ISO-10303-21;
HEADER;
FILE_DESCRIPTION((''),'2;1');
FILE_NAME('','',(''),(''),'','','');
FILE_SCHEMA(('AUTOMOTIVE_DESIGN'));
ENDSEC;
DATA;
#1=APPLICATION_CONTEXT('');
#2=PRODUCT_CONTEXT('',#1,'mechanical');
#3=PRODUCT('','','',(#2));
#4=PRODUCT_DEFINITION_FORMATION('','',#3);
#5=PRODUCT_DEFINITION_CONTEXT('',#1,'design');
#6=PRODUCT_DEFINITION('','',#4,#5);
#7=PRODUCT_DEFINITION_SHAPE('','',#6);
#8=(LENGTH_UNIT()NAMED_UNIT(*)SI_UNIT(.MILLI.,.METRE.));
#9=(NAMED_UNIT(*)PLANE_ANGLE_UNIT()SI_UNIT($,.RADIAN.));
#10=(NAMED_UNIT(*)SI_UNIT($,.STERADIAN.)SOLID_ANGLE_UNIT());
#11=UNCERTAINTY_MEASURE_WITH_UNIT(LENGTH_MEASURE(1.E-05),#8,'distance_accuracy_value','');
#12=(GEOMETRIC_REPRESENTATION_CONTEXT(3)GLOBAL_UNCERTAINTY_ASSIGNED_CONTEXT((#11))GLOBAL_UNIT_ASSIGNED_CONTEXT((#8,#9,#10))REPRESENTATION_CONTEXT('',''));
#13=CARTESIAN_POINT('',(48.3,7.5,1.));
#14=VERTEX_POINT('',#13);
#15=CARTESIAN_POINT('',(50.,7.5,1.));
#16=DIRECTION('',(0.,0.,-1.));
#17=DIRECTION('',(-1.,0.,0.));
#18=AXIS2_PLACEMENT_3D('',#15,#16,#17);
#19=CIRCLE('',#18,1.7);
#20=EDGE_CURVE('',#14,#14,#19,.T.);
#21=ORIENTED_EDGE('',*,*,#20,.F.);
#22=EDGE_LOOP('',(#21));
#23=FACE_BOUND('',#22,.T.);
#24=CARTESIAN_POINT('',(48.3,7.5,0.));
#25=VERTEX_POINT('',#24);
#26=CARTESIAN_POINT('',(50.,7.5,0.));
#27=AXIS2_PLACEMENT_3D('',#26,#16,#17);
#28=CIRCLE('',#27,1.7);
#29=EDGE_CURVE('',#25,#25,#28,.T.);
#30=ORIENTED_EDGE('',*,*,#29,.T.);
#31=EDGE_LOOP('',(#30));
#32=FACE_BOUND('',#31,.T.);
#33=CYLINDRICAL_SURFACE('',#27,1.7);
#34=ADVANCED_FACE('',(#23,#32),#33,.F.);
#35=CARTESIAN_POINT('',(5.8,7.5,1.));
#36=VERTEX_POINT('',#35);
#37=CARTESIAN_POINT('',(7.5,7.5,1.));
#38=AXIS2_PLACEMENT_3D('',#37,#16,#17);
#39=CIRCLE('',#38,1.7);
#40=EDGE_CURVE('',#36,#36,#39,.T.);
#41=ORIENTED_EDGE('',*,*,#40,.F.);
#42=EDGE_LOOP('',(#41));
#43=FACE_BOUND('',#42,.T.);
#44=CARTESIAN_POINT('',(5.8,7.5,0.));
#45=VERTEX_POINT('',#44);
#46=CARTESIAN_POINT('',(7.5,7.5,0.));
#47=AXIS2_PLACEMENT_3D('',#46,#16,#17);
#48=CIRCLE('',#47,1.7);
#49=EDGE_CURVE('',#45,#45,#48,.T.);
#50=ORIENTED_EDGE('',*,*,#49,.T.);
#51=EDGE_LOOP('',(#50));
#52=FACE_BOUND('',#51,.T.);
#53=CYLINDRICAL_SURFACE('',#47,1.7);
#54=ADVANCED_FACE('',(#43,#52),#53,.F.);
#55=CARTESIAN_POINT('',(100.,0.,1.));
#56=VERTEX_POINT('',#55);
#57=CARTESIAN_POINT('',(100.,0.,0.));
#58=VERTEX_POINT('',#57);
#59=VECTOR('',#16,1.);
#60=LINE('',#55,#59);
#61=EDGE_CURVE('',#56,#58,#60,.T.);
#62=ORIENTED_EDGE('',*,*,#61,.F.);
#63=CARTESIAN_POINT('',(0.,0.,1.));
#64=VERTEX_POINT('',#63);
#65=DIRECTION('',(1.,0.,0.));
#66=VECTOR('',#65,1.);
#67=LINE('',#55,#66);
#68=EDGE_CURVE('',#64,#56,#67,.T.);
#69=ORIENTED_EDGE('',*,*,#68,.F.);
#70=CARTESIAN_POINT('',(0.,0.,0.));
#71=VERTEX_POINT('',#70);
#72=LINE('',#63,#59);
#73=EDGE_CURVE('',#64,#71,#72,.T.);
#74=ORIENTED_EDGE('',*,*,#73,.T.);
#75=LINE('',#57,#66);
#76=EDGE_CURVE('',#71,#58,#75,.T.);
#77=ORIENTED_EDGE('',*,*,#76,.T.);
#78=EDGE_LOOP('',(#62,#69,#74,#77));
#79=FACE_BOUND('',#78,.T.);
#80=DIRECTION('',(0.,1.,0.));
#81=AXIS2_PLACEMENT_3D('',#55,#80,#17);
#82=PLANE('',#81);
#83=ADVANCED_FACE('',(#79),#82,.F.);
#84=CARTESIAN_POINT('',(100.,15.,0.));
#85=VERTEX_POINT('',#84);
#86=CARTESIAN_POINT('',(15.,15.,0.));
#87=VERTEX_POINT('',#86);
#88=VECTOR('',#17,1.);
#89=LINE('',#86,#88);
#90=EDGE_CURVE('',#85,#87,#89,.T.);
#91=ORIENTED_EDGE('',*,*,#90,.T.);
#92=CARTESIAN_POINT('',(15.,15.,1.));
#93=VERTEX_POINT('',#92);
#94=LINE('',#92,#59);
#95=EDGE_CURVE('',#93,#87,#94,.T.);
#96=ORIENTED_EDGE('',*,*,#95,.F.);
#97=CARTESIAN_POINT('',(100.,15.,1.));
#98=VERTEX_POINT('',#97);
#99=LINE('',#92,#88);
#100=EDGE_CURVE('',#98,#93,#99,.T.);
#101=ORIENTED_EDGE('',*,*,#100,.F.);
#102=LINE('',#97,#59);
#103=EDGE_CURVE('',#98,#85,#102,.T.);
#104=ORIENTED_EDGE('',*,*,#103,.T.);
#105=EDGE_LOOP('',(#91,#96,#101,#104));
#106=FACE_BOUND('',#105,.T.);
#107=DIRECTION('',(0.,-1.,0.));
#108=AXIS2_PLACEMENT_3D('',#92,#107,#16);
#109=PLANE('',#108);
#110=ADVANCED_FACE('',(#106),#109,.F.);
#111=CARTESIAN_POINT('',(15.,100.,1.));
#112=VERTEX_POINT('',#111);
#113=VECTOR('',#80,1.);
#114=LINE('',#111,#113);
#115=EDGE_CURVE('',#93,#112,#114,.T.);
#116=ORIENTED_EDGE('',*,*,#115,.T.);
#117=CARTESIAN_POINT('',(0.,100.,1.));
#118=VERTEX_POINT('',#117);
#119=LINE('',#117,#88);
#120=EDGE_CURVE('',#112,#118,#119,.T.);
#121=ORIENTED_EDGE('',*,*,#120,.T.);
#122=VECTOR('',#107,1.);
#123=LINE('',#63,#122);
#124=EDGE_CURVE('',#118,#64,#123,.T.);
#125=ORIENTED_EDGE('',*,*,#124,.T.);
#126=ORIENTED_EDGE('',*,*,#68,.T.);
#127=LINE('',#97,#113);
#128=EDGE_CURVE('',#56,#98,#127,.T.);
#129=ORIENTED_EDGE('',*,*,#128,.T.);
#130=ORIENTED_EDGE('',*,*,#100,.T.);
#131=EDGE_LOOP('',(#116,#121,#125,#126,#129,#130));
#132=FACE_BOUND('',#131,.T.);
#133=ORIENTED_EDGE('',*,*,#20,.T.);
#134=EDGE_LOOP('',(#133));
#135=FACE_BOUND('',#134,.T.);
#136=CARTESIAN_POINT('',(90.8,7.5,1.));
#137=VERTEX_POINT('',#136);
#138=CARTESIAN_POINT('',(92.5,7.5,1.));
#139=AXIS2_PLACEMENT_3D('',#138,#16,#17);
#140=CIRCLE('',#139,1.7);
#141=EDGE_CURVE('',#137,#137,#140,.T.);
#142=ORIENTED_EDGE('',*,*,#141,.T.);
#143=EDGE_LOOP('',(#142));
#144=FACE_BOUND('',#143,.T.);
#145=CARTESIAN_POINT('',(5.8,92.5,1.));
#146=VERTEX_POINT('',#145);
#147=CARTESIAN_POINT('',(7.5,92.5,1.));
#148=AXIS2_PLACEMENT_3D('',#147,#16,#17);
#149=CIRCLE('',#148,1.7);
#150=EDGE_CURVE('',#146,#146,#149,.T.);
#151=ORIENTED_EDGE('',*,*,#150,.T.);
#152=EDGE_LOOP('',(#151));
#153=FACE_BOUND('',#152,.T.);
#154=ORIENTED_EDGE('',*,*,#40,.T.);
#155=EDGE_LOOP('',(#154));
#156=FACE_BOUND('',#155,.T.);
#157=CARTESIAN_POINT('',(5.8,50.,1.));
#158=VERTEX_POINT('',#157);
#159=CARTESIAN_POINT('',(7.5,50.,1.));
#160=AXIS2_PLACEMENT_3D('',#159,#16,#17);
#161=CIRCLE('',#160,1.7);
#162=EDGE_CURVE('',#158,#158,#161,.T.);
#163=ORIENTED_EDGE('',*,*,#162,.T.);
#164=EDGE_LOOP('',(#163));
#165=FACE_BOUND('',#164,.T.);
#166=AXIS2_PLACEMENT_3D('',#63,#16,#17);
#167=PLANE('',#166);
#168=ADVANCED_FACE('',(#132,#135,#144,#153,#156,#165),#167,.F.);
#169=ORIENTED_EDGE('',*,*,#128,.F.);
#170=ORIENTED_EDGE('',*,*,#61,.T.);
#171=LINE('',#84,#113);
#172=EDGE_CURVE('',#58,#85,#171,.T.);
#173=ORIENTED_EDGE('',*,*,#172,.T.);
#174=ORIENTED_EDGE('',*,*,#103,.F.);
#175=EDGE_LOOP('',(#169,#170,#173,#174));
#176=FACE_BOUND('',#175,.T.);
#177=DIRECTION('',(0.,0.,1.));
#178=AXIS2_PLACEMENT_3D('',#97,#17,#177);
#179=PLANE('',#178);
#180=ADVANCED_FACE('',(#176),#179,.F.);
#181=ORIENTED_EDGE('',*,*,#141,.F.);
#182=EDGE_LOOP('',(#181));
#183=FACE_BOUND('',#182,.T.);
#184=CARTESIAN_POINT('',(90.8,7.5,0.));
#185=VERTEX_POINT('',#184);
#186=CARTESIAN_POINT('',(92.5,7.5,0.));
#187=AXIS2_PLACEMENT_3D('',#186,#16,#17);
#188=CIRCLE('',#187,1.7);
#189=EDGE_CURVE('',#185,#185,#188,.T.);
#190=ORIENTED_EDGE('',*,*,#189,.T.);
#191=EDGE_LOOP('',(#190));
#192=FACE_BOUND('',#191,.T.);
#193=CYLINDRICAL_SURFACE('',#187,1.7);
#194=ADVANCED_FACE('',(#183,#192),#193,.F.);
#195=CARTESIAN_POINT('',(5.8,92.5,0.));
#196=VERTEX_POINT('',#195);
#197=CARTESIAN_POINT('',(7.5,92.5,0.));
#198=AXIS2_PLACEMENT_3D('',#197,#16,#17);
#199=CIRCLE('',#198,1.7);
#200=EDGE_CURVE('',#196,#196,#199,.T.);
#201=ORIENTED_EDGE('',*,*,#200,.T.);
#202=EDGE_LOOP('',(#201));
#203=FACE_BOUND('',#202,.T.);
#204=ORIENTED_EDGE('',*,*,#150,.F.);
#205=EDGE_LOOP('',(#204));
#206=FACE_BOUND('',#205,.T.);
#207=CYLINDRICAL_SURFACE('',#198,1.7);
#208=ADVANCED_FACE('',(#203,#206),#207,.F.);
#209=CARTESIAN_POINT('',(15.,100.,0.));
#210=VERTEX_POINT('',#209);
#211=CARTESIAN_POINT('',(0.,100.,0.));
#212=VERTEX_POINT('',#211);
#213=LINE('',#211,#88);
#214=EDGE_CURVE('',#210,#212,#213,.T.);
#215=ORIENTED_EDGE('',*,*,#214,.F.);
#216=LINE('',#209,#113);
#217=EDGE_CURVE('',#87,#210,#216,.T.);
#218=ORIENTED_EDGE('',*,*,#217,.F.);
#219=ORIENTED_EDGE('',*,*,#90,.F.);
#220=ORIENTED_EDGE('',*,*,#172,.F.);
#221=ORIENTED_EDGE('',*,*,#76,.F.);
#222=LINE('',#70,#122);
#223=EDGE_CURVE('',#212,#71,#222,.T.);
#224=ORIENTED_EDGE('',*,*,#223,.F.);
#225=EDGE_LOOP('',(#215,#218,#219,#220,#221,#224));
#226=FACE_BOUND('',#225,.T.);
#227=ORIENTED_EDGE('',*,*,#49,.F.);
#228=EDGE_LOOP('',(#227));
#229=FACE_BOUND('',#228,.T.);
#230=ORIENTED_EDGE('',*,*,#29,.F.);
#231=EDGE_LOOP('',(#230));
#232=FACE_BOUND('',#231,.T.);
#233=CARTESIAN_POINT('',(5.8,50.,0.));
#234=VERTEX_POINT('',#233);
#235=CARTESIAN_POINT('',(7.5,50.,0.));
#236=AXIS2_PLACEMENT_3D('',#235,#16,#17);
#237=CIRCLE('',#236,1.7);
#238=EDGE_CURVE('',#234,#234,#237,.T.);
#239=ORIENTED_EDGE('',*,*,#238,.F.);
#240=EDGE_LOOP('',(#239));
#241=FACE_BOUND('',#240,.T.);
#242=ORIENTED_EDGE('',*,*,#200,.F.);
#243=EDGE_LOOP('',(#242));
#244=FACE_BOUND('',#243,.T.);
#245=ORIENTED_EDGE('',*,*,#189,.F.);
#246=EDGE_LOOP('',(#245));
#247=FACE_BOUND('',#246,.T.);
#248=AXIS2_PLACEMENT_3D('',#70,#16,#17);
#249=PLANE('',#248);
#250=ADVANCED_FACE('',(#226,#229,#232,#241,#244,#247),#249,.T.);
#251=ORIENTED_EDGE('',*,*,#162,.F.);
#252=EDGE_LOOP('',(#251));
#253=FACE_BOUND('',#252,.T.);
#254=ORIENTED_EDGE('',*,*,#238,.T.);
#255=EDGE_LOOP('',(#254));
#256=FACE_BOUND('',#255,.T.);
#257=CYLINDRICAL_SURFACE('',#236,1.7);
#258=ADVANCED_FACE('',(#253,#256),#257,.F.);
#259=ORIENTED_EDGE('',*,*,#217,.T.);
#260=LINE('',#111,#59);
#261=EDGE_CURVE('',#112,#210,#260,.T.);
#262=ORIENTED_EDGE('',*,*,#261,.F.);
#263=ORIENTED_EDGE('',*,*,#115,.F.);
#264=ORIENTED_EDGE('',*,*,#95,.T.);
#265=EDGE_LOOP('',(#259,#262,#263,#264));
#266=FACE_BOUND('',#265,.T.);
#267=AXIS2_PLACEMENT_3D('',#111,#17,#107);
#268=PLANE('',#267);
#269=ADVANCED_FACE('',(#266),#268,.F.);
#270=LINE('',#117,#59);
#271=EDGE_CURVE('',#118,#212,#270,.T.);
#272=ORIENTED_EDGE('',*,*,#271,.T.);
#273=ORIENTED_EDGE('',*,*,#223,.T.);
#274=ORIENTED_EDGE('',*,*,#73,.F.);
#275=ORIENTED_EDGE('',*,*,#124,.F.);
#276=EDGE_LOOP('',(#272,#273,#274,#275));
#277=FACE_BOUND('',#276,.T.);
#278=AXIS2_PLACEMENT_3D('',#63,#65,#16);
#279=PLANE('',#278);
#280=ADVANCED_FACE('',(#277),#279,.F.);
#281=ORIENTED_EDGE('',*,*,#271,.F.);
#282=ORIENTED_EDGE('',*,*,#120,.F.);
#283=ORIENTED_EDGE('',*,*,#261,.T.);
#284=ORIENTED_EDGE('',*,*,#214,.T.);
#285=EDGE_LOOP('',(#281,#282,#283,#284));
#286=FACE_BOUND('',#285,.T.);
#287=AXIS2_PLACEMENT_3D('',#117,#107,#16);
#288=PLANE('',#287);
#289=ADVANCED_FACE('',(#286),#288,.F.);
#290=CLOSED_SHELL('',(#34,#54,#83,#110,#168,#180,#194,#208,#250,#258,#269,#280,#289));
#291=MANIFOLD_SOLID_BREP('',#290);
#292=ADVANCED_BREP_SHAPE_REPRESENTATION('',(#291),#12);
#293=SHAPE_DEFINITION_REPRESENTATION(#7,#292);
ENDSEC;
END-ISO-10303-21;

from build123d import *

# Parameters (mm, degrees)
BOSS_EXTRUDE1_DEPTH  = 1
M3_CLEARANCE_HOLE1_D = 3.4


with BuildPart() as part:
    # Sketch1 → Boss-Extrude1 (new body)
    with BuildSketch(Plane.XY):
        Polygon((0, 0), (0, 100), (15, 100), (15, 15), (100, 15), (100, 0), align=None)
    extrude(amount=BOSS_EXTRUDE1_DEPTH)

    # M3 Clearance Hole1 (through all)
    with Locations(Plane(origin=(0, 0, 0), x_dir=(-1, 0, 0), z_dir=(0, 0, -1))):
        with Locations((-92.5, 7.5), (-7.5, 7.5), (-7.5, 92.5), (-7.5, 50), (-50, 7.5)):
            Hole(M3_CLEARANCE_HOLE1_D / 2)


solid = part.part
